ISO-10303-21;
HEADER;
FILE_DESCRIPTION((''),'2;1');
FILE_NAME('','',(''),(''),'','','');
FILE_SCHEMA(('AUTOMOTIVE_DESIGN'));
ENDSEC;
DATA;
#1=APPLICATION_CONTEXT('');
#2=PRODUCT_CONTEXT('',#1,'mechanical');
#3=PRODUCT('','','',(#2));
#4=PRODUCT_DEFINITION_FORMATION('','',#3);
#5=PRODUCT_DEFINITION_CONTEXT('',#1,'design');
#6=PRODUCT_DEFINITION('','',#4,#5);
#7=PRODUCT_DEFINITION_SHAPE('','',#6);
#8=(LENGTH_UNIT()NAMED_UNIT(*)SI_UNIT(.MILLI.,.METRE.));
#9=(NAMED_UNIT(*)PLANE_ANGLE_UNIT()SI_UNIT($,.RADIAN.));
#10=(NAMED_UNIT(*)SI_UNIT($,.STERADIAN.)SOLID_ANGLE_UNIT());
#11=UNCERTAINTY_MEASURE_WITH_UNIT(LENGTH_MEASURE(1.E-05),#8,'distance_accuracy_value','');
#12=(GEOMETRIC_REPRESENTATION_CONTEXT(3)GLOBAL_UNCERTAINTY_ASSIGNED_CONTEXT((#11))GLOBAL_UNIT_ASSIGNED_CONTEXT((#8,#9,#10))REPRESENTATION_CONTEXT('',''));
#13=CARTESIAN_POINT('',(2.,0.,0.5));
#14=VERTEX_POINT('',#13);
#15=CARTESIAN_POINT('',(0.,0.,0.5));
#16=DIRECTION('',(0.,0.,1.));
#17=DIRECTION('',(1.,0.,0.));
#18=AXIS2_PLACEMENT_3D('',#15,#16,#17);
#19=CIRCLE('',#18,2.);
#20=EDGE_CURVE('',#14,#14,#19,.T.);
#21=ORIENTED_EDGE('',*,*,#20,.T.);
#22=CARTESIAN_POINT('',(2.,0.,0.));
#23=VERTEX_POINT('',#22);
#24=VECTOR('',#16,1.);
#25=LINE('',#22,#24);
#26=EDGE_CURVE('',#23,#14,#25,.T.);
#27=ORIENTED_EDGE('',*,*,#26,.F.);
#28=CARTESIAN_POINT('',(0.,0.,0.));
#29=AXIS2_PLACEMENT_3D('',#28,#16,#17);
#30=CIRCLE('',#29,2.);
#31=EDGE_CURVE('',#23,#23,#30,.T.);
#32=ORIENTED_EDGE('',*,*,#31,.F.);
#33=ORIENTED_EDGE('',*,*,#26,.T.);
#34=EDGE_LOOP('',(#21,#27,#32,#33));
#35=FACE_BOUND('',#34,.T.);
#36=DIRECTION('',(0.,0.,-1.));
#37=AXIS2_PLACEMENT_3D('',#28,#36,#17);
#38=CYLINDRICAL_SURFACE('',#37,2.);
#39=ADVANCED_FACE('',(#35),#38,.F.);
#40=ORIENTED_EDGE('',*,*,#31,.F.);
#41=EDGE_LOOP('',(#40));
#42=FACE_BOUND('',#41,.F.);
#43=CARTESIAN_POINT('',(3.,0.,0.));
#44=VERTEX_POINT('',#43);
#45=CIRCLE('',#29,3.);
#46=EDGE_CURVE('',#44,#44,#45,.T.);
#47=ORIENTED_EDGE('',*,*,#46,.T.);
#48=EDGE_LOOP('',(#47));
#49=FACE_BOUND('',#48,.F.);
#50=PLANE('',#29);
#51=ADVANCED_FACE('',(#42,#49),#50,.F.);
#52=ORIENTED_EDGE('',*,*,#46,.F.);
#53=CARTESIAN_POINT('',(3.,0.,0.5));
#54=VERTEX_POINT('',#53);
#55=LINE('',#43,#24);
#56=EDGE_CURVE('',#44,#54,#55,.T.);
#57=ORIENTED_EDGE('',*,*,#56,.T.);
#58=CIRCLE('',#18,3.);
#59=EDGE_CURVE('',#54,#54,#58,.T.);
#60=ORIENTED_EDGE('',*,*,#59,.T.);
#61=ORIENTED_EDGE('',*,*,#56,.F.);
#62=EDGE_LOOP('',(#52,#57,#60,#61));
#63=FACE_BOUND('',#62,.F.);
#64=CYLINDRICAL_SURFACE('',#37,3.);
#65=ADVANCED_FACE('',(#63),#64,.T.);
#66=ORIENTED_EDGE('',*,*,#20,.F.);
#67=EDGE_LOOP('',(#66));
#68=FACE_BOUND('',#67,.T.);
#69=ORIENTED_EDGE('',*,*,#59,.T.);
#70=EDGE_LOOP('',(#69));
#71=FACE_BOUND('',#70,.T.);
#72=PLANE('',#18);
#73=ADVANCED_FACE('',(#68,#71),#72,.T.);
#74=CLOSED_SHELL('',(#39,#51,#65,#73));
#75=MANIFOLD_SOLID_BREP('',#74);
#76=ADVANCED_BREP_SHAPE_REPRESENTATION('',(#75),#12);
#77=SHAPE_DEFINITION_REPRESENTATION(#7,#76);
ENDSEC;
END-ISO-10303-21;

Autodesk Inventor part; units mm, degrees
ref_plane "YZ Plane" through (0, 0, 0) normal (1, 0, 0) x (0, 1, 0)
ref_plane "XZ Plane" through (0, 0, 0) normal (0, 1, 0) x (-1, 0, 0)
ref_plane "XY Plane" through (0, 0, 0) normal (0, 0, 1) x (1, 0, 0)
sketch "スケッチ1" plane through (0, 0, 0) normal (0, 0, 1) x (1, 0, 0)
  circle A0 centre (0, 0) radius 3
  circle A1 centre (0, 0) radius 2
  dimension "d0" = 4
  dimension "d1" = 6
extrude "押し出し1" add sketch "スケッチ1" along normal blind 0.5
properties part number "2" material "真鍮、ソフト イエロー"
